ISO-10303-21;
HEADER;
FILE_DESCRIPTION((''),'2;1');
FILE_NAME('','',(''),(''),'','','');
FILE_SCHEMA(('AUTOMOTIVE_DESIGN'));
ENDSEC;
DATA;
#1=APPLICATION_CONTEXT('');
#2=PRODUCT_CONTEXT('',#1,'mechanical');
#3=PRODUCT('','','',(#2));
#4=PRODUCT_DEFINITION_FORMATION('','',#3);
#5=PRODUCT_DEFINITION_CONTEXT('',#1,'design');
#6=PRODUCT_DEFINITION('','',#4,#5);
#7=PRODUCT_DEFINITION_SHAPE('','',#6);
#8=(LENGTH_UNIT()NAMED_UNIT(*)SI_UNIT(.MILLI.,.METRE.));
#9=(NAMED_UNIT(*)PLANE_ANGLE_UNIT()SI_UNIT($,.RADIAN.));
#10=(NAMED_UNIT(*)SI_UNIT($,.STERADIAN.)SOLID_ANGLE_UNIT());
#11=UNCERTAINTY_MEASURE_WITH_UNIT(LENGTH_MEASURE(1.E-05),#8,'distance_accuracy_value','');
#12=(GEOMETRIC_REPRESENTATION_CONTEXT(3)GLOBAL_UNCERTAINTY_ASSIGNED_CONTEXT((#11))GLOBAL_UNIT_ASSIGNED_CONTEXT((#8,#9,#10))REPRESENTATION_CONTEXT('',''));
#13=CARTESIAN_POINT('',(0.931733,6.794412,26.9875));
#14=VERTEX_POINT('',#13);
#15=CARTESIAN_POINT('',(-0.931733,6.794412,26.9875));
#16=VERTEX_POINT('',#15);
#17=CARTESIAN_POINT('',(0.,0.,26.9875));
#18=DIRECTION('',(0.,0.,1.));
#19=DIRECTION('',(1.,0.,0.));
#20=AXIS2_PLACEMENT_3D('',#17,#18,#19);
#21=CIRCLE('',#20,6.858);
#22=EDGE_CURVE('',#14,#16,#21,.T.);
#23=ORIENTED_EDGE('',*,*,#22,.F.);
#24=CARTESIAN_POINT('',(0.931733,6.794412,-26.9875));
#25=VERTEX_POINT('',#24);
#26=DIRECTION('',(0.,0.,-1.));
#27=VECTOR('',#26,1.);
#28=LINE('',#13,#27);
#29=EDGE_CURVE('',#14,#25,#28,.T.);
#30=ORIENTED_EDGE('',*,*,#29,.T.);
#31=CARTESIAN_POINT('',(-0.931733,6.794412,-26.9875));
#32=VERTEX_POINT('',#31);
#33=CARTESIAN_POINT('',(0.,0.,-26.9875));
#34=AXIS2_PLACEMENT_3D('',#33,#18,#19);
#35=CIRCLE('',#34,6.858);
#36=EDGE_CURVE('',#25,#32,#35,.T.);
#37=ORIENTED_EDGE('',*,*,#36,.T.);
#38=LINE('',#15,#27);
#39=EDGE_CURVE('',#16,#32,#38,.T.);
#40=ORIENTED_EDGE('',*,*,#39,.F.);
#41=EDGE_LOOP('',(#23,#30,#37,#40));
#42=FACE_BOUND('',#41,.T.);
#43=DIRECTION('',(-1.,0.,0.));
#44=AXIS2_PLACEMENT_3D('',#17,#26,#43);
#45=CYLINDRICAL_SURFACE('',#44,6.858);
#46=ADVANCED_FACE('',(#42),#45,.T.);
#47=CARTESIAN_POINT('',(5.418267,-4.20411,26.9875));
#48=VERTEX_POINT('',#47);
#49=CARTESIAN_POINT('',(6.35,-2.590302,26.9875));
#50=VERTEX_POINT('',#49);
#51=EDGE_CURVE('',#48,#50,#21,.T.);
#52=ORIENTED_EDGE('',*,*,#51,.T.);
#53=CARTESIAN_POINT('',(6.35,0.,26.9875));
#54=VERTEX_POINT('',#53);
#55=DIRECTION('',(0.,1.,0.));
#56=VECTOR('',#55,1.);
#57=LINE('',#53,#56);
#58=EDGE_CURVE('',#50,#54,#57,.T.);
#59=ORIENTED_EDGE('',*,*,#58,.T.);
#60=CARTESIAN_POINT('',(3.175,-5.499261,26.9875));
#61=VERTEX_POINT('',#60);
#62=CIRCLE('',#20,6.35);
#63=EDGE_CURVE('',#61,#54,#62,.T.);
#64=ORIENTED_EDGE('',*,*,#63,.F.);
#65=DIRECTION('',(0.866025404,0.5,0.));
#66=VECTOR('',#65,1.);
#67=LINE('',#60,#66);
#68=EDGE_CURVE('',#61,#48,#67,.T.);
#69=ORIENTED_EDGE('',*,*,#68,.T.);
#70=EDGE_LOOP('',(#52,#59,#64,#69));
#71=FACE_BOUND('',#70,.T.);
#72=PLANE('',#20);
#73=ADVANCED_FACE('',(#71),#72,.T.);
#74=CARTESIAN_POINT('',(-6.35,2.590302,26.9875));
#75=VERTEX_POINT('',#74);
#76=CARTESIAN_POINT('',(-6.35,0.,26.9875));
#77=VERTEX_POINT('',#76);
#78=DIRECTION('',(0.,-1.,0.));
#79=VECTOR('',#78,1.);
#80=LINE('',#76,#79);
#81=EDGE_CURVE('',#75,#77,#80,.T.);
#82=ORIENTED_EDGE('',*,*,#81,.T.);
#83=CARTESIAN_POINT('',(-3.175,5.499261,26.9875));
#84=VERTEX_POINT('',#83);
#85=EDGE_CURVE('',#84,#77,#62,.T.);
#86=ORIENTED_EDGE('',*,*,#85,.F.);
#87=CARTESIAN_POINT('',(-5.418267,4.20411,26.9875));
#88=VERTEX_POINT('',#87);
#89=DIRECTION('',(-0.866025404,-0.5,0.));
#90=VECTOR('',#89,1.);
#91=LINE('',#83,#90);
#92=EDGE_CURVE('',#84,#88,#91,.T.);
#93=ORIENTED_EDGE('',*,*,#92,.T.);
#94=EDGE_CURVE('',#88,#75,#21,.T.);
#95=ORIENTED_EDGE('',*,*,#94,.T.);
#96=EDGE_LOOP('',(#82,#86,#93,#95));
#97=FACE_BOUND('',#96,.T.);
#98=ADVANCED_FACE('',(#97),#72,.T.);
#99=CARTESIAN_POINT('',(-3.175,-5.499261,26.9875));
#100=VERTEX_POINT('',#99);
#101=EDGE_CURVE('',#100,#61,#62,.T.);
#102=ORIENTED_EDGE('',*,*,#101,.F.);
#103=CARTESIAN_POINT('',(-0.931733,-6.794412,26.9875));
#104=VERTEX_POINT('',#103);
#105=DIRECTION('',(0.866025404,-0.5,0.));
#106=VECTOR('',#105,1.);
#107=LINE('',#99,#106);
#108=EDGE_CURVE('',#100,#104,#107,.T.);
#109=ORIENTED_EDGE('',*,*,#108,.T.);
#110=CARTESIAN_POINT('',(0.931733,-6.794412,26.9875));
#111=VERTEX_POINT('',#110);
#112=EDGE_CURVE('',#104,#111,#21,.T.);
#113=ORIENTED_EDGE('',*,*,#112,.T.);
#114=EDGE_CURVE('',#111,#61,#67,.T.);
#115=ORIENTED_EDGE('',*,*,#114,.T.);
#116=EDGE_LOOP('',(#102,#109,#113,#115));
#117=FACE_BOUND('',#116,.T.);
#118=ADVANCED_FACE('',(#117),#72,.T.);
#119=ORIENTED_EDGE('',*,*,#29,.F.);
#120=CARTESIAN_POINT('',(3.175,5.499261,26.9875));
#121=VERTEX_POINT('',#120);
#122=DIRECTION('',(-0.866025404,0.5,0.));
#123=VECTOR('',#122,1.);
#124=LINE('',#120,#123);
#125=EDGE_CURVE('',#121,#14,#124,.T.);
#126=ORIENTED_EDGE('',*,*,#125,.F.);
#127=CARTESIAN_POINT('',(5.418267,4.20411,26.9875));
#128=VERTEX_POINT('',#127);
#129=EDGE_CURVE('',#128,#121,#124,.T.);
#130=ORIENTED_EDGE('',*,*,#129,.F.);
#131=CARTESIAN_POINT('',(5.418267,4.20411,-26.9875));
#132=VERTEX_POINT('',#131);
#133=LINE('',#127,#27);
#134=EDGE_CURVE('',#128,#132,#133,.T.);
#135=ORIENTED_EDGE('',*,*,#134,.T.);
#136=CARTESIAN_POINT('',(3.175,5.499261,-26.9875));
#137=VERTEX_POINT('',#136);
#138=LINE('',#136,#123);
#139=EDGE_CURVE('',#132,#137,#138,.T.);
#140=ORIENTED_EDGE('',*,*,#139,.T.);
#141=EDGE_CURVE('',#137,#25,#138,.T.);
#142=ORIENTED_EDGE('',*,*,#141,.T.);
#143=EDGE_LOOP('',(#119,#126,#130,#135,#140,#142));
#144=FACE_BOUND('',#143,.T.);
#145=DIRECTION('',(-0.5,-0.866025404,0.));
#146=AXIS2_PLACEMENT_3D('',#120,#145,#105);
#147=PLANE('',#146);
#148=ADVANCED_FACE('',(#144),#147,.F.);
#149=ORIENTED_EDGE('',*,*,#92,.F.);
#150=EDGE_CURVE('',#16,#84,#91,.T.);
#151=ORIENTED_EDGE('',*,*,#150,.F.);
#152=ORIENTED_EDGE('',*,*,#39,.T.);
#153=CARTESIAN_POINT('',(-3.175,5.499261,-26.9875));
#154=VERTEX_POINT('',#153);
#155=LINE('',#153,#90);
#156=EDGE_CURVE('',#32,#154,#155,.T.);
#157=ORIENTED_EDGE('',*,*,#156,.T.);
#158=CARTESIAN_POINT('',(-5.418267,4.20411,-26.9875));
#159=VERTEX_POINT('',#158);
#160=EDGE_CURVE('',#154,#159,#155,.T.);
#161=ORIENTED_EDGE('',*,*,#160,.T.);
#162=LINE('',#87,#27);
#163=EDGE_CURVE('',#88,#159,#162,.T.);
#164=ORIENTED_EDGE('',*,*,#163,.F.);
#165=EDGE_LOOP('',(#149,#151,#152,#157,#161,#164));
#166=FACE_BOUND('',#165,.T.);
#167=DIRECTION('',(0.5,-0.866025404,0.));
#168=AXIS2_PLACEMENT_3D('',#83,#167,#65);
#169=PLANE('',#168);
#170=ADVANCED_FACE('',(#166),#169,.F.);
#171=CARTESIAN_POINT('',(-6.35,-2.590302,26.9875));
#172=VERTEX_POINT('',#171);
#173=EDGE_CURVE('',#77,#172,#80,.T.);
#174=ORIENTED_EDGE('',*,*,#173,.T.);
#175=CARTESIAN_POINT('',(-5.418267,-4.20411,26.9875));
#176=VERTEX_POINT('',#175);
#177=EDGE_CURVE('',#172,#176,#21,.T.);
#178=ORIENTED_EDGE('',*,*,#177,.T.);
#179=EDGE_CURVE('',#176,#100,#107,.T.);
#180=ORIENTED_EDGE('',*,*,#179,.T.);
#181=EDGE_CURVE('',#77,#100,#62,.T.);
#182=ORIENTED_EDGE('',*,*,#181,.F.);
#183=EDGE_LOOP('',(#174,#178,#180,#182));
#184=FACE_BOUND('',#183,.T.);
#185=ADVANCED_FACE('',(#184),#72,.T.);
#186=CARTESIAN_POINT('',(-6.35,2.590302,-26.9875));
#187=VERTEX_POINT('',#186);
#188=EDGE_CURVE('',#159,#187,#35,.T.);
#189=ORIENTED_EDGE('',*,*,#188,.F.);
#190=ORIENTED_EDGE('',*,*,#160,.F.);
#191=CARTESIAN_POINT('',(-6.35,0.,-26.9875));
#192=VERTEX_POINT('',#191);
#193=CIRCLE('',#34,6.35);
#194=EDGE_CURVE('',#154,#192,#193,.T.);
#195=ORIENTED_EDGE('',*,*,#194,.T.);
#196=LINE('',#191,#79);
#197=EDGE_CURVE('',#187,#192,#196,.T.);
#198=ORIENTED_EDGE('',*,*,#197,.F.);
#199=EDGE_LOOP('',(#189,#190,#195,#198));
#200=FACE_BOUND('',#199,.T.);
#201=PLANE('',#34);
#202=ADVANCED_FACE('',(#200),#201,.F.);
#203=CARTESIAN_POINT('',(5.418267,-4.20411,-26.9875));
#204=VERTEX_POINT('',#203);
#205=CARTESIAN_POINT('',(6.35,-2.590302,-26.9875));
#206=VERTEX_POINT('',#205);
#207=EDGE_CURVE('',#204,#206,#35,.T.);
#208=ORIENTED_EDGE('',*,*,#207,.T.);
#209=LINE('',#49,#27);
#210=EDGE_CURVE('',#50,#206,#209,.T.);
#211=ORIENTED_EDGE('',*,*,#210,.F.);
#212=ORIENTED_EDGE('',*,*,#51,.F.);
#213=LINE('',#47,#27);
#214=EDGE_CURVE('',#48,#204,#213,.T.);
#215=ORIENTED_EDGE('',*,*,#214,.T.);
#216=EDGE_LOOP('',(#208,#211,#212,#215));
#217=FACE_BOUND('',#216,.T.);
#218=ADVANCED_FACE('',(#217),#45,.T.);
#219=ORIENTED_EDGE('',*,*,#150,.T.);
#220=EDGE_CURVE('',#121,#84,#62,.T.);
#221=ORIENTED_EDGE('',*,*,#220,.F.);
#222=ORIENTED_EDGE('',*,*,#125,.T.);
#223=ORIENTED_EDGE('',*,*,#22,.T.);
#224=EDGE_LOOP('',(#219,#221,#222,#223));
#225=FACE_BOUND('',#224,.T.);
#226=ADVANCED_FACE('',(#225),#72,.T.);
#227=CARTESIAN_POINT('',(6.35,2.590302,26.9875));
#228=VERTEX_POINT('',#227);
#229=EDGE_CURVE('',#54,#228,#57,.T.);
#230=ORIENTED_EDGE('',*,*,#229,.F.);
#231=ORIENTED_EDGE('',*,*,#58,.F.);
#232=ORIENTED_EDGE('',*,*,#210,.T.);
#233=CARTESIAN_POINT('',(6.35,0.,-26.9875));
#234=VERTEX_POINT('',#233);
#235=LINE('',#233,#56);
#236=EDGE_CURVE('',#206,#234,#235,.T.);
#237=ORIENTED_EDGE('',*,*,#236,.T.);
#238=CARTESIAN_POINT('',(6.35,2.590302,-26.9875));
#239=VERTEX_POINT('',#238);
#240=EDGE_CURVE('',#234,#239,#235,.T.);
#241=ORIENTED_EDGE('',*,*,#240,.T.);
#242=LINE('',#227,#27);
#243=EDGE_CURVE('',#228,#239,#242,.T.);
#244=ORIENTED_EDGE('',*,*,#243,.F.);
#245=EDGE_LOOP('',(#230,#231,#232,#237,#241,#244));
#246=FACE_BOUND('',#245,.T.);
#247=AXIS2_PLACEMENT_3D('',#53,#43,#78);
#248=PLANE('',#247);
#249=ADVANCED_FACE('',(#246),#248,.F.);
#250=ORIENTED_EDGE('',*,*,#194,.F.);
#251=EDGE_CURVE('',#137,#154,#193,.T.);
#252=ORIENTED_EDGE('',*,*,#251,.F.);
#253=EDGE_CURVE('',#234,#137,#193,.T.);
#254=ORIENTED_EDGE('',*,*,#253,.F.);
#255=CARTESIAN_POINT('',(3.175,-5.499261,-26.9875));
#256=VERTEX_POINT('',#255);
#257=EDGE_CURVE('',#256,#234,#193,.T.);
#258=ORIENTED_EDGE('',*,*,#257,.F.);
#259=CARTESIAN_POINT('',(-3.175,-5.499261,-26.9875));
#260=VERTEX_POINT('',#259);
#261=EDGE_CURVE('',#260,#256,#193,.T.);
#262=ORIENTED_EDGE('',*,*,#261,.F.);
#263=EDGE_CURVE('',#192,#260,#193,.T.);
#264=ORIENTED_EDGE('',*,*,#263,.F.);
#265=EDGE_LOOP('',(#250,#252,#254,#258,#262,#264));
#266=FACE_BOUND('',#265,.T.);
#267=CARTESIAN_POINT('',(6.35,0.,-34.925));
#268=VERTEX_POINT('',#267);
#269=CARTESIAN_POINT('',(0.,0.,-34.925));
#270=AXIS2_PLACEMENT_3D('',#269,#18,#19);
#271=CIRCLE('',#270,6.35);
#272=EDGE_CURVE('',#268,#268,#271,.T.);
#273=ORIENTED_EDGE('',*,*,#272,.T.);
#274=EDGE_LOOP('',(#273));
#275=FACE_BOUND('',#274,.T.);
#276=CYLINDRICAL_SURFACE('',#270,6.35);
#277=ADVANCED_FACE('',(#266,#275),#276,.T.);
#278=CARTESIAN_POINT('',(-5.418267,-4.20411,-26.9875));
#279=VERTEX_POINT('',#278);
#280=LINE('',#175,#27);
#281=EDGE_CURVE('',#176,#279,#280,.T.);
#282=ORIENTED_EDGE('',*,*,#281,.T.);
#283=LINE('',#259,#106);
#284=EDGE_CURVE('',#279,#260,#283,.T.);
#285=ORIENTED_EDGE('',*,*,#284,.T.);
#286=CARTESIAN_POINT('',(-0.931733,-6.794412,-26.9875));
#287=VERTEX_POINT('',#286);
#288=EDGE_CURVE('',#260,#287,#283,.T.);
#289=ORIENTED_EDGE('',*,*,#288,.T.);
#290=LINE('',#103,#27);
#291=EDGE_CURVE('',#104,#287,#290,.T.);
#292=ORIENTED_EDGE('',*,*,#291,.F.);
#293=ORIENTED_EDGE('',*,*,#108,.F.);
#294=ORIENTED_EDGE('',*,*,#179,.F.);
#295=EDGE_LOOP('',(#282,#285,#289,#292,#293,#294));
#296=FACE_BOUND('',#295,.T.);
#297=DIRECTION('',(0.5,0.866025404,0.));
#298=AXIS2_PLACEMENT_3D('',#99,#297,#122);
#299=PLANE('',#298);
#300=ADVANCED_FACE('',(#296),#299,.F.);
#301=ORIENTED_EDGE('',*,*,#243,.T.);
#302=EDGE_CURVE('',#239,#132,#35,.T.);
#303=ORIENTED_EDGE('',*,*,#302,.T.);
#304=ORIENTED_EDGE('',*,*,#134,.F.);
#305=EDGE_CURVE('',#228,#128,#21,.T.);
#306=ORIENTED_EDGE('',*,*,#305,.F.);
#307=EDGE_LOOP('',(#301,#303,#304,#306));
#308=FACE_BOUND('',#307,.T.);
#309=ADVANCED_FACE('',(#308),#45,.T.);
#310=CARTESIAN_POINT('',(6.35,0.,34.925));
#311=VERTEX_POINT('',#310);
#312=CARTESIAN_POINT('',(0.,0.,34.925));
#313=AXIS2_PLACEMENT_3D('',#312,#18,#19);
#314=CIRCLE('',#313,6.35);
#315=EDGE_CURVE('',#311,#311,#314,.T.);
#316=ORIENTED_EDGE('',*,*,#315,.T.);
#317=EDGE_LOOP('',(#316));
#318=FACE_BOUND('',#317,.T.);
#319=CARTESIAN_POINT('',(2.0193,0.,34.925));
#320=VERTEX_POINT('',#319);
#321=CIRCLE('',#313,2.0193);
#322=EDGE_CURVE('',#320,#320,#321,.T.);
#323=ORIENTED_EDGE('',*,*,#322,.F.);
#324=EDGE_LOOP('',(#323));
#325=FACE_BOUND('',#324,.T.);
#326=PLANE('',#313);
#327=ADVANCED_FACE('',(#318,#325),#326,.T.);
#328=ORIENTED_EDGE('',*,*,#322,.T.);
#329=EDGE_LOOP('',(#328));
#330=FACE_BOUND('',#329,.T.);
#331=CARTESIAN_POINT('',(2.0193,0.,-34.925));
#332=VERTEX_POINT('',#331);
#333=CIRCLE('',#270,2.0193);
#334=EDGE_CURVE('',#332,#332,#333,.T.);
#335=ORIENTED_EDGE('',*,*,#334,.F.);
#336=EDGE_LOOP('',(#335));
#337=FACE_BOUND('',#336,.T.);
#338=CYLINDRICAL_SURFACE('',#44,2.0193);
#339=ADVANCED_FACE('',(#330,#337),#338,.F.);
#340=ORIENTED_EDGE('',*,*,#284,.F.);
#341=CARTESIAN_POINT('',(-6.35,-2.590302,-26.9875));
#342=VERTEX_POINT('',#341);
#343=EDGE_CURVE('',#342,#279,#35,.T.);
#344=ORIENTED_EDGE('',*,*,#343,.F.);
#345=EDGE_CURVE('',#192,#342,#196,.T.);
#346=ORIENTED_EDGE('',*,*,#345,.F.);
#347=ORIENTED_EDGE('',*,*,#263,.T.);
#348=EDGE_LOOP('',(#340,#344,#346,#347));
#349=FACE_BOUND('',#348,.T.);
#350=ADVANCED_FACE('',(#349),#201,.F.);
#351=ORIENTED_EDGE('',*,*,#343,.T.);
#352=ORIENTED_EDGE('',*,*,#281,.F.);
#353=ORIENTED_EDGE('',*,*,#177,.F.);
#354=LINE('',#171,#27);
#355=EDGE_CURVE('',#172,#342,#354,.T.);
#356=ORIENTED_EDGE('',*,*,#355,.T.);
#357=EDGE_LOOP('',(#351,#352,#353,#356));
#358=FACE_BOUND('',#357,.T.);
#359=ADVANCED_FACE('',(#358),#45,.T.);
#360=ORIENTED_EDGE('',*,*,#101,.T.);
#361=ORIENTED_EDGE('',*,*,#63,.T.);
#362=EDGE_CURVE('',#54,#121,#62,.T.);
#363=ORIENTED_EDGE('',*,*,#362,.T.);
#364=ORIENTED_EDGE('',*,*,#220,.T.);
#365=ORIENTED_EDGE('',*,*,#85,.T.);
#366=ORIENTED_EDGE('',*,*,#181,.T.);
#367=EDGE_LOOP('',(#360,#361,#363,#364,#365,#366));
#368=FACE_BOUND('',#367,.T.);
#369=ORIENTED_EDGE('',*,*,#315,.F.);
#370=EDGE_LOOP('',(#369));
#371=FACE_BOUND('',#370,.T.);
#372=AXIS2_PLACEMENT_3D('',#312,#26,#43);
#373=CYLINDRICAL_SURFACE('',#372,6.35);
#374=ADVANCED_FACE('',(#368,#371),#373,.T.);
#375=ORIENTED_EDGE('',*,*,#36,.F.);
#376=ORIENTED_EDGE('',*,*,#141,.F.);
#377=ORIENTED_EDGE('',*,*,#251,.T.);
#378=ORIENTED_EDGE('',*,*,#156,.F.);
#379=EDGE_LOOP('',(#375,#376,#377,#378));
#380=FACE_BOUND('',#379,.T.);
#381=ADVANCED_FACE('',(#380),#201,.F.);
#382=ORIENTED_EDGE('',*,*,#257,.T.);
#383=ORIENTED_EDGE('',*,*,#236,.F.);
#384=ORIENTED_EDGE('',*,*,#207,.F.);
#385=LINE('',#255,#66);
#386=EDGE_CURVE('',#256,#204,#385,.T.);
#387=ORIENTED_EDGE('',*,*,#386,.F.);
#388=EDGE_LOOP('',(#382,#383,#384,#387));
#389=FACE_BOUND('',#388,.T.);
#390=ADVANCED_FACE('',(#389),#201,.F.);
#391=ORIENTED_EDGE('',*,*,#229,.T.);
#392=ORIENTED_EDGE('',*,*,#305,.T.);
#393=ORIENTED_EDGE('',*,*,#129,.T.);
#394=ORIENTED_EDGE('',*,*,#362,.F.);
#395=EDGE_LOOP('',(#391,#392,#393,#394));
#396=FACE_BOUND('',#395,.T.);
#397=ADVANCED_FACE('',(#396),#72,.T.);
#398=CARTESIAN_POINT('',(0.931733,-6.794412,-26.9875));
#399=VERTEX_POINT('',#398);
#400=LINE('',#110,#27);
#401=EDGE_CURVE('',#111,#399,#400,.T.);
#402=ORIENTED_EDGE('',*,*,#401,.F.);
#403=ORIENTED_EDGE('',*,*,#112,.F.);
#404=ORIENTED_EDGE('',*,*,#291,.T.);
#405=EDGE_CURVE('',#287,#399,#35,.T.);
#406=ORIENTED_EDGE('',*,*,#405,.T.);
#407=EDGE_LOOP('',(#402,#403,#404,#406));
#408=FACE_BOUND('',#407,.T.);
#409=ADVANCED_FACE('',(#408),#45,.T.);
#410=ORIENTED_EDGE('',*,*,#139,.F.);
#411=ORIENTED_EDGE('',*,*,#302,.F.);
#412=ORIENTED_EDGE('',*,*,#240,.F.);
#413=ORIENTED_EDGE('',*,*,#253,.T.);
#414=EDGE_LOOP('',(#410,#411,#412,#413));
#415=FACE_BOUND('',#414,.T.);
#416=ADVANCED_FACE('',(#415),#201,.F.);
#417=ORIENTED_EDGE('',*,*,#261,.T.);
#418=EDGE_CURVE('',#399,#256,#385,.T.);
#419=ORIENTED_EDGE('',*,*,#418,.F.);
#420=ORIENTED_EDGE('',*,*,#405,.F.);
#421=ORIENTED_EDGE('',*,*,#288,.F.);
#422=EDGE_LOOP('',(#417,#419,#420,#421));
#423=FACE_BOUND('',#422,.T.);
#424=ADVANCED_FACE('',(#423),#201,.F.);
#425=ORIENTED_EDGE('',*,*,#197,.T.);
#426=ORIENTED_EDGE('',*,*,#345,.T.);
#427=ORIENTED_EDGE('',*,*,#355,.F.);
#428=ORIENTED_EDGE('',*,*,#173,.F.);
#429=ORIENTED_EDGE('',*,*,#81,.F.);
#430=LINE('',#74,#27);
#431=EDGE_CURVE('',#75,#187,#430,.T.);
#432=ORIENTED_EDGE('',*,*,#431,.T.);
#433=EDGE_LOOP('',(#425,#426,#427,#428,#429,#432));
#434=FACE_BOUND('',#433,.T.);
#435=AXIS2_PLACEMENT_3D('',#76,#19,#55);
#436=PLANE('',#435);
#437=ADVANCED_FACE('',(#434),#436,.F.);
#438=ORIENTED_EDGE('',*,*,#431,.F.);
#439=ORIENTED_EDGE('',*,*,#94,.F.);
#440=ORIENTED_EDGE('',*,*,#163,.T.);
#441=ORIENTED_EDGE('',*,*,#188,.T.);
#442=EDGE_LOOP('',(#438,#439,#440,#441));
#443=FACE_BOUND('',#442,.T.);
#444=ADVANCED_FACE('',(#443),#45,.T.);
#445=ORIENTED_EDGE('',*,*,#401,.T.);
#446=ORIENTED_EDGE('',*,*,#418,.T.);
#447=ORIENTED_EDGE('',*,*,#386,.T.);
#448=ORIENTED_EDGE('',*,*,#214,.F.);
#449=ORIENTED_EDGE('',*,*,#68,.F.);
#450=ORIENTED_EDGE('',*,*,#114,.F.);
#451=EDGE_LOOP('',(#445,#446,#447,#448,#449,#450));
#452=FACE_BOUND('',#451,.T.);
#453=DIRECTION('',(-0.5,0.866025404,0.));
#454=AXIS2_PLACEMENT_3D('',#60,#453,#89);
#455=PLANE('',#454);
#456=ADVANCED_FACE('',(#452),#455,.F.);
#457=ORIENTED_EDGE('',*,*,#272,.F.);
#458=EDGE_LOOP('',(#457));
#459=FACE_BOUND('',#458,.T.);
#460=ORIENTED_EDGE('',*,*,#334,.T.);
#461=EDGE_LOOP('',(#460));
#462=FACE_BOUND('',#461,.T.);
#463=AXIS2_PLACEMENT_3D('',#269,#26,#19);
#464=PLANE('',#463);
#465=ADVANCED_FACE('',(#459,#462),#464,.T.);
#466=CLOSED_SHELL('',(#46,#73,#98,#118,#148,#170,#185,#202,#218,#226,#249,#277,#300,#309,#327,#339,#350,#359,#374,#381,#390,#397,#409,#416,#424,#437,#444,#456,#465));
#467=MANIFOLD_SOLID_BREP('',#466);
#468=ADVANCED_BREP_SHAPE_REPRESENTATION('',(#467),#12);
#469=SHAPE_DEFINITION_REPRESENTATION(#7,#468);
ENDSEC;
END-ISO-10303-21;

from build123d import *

# Parameters (mm, degrees)
SKETCH1_R           = 2.0193
BOSS_EXTRUDE1_DEPTH = 26.9875
SKETCH2_R           = 6.35
SKETCH2_R_2         = 2.0193
BOSS_EXTRUDE2_DEPTH = 7.9375


with BuildPart() as part:
    # Sketch1 → Boss-Extrude1 (new, symmetric)
    with BuildSketch(Plane.XY):
        with BuildLine():
            ThreePointArc((0.93173274, 6.79441227), (0, 6.858), (-0.93173274, 6.79441227))
            Line((-0.93173274, 6.79441227), (-5.41826726, 4.204110358))
            ThreePointArc((-5.41826726, 4.204110358), (-5.939202219, 3.429), (-6.35, 2.590301913))
            Line((-6.35, 2.590301913), (-6.35, -2.590301913))
            ThreePointArc((-6.35, -2.590301913), (-5.939202219, -3.429), (-5.41826726, -4.204110358))
            Line((-5.41826726, -4.204110358), (-0.93173274, -6.79441227))
            ThreePointArc((-0.93173274, -6.79441227), (0, -6.858), (0.93173274, -6.79441227))
            Line((0.93173274, -6.79441227), (5.41826726, -4.204110358))
            ThreePointArc((5.41826726, -4.204110358), (5.939202219, -3.429), (6.35, -2.590301913))
            Line((6.35, -2.590301913), (6.35, 2.590301913))
            ThreePointArc((6.35, 2.590301913), (5.939202219, 3.429), (5.41826726, 4.204110358))
            Line((5.41826726, 4.204110358), (0.93173274, 6.79441227))
        make_face()
        Circle(SKETCH1_R, mode=Mode.SUBTRACT)
    extrude(amount=BOSS_EXTRUDE1_DEPTH, both=True)

    # Sketch2 → Boss-Extrude2 (add)
    with BuildSketch(Plane.XY.offset(26.9875)):
        Circle(SKETCH2_R)
        Circle(SKETCH2_R_2, mode=Mode.SUBTRACT)
    boss_extrude2 = extrude(amount=BOSS_EXTRUDE2_DEPTH)

    # Mirror1: Boss-Extrude2 across plane
    add(boss_extrude2.mirror(Plane.XY))


solid = part.part
